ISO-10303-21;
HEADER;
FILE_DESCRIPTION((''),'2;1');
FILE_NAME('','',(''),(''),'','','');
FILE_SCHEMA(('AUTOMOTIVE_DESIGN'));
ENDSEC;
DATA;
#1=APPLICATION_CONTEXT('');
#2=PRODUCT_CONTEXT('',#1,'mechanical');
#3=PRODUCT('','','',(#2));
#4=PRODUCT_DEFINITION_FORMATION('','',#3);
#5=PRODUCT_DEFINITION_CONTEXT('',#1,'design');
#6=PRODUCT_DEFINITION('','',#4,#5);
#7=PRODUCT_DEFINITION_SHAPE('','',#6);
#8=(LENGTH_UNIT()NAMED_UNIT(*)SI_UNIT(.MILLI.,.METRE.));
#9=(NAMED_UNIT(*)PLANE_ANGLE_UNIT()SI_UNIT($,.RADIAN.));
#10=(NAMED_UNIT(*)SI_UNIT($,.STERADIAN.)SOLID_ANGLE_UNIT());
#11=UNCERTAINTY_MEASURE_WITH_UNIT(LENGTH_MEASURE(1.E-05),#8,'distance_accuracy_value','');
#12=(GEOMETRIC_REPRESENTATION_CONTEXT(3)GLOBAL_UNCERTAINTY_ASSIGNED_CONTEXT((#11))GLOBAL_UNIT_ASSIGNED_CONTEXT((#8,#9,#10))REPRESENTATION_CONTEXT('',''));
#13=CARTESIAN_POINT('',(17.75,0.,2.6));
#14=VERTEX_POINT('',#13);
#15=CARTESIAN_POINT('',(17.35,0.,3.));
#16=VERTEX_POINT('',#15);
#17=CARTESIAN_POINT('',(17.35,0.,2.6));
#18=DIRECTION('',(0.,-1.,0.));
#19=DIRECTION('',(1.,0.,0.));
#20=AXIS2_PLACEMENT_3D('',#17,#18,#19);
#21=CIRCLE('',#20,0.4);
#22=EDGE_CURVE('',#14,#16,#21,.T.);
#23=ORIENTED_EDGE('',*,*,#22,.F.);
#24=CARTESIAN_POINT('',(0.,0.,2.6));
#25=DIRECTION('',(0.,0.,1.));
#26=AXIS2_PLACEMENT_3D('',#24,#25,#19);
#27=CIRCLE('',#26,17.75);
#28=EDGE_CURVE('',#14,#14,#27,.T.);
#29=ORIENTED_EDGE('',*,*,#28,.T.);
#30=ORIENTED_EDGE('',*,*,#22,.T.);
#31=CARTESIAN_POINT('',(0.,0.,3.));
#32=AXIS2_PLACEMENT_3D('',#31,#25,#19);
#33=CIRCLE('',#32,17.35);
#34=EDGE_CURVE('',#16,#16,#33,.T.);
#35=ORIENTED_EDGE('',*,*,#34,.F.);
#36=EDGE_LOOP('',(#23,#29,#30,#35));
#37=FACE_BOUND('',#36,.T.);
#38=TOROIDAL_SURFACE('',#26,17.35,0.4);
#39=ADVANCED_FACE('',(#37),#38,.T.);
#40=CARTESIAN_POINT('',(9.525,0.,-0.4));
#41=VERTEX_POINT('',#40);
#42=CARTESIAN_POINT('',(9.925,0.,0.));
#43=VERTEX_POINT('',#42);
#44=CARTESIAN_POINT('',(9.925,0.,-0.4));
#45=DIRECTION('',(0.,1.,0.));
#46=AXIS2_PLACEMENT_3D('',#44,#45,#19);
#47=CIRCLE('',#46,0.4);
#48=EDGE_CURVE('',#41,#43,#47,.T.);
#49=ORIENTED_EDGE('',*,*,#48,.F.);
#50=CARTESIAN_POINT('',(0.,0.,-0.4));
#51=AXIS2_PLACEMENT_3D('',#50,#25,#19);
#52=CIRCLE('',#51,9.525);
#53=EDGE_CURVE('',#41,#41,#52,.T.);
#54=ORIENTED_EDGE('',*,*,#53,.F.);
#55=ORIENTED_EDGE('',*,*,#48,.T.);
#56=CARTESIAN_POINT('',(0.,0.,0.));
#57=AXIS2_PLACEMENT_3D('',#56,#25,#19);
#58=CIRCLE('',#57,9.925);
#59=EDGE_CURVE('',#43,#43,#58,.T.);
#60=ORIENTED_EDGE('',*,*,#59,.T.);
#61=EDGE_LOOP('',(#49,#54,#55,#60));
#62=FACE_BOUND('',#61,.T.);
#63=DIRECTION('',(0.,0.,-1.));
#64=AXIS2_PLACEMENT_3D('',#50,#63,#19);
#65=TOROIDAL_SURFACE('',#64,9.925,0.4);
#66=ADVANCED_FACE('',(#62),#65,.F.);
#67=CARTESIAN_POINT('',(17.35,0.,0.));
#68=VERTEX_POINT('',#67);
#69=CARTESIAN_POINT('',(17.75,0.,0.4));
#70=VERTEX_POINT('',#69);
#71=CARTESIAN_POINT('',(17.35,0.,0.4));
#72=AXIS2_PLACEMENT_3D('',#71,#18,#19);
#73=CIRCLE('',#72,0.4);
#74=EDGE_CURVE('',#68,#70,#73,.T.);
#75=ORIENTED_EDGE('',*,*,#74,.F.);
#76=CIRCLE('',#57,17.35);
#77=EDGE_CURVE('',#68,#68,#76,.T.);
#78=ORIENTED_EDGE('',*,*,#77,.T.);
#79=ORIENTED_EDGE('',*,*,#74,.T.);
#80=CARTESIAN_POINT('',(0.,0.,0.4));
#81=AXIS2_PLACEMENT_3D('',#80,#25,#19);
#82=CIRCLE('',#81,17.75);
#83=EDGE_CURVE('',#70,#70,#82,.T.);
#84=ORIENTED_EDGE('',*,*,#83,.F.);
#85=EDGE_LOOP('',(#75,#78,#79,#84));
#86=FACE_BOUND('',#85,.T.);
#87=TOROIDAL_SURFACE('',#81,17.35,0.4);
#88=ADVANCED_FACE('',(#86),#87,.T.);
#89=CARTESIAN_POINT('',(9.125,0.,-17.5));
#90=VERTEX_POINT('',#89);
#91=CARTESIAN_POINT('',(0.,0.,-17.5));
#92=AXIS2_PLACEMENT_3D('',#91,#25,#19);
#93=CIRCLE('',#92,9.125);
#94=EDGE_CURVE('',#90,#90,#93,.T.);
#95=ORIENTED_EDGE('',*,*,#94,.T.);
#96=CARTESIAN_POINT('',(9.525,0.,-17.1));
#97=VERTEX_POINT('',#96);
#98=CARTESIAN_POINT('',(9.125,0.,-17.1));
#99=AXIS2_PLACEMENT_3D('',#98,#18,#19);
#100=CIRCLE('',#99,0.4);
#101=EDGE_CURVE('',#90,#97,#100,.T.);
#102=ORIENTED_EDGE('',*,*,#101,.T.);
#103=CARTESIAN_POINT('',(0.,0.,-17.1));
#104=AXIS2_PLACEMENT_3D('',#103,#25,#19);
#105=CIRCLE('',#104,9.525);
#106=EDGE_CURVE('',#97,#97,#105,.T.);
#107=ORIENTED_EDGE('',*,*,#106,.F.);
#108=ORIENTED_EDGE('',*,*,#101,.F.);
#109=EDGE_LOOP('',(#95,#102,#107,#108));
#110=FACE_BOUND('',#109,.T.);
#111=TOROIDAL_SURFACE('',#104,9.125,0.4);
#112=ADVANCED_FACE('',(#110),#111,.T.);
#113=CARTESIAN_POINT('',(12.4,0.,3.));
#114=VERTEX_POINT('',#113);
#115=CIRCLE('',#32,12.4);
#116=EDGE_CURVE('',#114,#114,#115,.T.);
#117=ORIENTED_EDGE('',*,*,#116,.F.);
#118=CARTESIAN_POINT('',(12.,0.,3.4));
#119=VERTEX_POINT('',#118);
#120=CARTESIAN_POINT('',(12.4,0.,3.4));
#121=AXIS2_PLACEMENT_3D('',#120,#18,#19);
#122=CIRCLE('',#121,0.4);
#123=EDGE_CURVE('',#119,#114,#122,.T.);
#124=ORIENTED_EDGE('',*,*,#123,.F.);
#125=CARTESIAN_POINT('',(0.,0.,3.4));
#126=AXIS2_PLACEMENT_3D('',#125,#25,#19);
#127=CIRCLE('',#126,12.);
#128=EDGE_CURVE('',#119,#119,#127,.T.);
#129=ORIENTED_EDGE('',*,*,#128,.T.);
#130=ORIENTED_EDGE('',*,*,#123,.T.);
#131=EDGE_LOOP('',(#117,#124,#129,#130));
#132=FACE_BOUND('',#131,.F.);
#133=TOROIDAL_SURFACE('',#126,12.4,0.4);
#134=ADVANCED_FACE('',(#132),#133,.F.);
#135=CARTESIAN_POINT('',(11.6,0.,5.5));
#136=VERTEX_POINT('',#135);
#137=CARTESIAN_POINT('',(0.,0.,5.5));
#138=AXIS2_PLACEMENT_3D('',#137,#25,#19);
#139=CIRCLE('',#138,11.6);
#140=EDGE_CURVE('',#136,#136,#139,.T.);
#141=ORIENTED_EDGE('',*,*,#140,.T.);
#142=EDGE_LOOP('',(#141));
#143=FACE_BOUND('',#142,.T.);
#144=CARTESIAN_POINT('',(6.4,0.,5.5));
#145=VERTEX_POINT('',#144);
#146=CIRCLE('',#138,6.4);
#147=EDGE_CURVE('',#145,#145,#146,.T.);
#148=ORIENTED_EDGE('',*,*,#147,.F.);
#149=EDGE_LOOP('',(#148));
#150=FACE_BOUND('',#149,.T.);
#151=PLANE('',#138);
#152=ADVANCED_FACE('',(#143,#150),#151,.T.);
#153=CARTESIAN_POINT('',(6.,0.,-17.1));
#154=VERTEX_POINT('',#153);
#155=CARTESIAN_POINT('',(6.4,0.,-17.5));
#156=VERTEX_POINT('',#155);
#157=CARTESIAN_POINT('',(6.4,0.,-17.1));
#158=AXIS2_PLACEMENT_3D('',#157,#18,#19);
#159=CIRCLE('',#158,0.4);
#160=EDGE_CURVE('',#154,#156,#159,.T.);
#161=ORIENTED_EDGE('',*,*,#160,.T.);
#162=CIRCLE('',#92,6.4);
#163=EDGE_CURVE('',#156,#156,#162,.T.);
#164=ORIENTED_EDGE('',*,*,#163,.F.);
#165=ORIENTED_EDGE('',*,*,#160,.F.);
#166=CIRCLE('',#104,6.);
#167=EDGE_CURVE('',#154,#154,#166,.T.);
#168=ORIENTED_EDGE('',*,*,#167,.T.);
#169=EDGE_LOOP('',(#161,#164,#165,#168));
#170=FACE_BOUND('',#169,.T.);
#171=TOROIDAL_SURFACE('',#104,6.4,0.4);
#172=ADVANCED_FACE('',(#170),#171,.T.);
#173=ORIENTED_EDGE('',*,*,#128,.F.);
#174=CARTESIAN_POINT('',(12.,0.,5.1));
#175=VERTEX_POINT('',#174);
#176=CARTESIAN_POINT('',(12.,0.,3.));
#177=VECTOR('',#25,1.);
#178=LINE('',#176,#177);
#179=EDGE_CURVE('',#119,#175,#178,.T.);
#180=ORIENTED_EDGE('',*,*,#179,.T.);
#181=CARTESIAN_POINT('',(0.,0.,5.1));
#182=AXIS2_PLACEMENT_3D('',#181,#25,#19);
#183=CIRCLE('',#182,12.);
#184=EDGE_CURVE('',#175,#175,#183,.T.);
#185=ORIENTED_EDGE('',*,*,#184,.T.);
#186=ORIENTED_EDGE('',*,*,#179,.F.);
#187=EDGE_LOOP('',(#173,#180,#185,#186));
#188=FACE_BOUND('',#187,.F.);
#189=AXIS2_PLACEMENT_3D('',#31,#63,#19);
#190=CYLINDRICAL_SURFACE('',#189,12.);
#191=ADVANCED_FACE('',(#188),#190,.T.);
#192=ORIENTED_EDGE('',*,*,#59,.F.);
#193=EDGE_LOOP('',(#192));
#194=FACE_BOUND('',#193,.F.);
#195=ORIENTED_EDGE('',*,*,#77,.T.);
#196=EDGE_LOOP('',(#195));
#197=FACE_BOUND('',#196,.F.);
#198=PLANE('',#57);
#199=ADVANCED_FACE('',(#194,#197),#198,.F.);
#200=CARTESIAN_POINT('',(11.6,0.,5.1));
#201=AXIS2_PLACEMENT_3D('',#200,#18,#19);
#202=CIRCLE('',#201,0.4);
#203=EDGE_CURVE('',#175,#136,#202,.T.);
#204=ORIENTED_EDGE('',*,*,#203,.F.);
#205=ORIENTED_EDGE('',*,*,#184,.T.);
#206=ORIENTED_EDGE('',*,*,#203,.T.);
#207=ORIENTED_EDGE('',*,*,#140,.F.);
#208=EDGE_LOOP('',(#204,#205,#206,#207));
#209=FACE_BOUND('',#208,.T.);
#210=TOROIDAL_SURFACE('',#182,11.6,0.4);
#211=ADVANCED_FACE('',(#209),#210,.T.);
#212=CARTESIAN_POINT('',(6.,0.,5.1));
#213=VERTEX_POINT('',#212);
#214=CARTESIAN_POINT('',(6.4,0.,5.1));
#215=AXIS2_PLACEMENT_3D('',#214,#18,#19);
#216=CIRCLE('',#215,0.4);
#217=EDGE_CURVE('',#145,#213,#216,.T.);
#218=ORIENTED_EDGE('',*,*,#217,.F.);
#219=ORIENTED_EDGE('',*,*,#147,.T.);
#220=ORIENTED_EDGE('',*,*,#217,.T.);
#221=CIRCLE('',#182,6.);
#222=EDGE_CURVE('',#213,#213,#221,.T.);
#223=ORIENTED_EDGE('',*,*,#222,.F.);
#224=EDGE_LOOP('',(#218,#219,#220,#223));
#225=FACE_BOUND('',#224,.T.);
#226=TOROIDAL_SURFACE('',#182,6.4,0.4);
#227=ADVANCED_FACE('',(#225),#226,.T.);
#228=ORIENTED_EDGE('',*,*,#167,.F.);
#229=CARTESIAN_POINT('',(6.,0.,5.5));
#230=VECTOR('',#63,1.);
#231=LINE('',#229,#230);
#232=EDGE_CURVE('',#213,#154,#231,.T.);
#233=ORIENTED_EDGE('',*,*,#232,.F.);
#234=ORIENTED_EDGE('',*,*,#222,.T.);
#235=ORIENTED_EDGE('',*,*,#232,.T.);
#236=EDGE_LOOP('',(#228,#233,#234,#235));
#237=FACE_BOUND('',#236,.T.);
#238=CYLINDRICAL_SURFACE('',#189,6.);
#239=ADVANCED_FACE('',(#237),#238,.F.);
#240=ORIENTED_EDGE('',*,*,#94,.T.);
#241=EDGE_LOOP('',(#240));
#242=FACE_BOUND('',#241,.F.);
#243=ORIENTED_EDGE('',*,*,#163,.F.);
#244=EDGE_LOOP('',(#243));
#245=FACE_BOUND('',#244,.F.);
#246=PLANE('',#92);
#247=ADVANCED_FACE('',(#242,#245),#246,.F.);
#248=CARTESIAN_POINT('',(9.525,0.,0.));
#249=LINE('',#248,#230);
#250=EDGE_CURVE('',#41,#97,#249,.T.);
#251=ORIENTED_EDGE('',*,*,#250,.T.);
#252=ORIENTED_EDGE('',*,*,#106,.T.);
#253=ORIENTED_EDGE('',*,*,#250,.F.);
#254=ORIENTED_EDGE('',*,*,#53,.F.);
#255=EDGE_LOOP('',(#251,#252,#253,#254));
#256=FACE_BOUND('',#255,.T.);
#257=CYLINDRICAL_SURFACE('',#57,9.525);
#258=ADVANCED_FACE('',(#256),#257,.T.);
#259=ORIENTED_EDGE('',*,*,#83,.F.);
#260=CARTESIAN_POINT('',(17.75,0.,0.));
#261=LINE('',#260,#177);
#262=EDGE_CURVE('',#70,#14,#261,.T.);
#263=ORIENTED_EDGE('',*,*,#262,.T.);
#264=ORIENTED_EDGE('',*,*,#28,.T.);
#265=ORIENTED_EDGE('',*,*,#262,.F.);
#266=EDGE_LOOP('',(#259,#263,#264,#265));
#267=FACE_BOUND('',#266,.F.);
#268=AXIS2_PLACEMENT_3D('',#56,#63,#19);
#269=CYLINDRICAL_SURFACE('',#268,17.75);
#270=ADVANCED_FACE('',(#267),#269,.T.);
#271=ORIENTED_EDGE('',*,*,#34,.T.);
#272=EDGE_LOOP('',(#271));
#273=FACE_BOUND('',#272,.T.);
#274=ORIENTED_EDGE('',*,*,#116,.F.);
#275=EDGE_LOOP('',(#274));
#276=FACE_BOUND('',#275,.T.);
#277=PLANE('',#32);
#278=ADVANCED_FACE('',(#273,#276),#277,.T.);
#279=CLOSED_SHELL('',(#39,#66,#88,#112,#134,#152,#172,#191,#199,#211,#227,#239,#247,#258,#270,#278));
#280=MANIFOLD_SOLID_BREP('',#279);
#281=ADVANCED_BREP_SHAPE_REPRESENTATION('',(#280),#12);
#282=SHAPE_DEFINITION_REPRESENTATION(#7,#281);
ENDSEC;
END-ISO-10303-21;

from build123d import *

# Parameters (mm, degrees)
F0_R     = 9.525
F0_R_2   = 6
F1_DEPTH = 17.5
F2_R     = 17.75
F2_R_2   = 6
F3_DEPTH = 3
F4_R     = 12
F4_R_2   = 6
F5_DEPTH = 2.5
F6_R     = 0.4


with BuildPart() as f1:
    # F0 (on Top) → F1 (new body)
    with BuildSketch(Plane.XY):
        Circle(F0_R)
        Circle(F0_R_2, mode=Mode.SUBTRACT)
    extrude(amount=-F1_DEPTH)

    # F2 (on Top) → F3 (join)
    with BuildSketch(Plane.XY):
        Circle(F2_R)
        Circle(F2_R_2, mode=Mode.SUBTRACT)
    extrude(amount=F3_DEPTH)

    # F4 (on face) → F5 (join)
    with BuildSketch(Plane.XY.offset(3)):
        Circle(F4_R)
        Circle(F4_R_2, mode=Mode.SUBTRACT)
    extrude(amount=F5_DEPTH)

    # F6
    f6_edges = [f1.edges().sort_by_distance(p)[0] for p in [
        (-12, 0, 5.5),
        (-6, 0, 5.5),
        (-17.75, 0, 3),
        (-12, 0, 3),
        (-17.75, 0, 0),
        (-9.525, 0, 0),
        (-9.525, 0, -17.5),
        (-6, 0, -17.5),
    ]]
    fillet(f6_edges, radius=F6_R)


solid = f1.part
